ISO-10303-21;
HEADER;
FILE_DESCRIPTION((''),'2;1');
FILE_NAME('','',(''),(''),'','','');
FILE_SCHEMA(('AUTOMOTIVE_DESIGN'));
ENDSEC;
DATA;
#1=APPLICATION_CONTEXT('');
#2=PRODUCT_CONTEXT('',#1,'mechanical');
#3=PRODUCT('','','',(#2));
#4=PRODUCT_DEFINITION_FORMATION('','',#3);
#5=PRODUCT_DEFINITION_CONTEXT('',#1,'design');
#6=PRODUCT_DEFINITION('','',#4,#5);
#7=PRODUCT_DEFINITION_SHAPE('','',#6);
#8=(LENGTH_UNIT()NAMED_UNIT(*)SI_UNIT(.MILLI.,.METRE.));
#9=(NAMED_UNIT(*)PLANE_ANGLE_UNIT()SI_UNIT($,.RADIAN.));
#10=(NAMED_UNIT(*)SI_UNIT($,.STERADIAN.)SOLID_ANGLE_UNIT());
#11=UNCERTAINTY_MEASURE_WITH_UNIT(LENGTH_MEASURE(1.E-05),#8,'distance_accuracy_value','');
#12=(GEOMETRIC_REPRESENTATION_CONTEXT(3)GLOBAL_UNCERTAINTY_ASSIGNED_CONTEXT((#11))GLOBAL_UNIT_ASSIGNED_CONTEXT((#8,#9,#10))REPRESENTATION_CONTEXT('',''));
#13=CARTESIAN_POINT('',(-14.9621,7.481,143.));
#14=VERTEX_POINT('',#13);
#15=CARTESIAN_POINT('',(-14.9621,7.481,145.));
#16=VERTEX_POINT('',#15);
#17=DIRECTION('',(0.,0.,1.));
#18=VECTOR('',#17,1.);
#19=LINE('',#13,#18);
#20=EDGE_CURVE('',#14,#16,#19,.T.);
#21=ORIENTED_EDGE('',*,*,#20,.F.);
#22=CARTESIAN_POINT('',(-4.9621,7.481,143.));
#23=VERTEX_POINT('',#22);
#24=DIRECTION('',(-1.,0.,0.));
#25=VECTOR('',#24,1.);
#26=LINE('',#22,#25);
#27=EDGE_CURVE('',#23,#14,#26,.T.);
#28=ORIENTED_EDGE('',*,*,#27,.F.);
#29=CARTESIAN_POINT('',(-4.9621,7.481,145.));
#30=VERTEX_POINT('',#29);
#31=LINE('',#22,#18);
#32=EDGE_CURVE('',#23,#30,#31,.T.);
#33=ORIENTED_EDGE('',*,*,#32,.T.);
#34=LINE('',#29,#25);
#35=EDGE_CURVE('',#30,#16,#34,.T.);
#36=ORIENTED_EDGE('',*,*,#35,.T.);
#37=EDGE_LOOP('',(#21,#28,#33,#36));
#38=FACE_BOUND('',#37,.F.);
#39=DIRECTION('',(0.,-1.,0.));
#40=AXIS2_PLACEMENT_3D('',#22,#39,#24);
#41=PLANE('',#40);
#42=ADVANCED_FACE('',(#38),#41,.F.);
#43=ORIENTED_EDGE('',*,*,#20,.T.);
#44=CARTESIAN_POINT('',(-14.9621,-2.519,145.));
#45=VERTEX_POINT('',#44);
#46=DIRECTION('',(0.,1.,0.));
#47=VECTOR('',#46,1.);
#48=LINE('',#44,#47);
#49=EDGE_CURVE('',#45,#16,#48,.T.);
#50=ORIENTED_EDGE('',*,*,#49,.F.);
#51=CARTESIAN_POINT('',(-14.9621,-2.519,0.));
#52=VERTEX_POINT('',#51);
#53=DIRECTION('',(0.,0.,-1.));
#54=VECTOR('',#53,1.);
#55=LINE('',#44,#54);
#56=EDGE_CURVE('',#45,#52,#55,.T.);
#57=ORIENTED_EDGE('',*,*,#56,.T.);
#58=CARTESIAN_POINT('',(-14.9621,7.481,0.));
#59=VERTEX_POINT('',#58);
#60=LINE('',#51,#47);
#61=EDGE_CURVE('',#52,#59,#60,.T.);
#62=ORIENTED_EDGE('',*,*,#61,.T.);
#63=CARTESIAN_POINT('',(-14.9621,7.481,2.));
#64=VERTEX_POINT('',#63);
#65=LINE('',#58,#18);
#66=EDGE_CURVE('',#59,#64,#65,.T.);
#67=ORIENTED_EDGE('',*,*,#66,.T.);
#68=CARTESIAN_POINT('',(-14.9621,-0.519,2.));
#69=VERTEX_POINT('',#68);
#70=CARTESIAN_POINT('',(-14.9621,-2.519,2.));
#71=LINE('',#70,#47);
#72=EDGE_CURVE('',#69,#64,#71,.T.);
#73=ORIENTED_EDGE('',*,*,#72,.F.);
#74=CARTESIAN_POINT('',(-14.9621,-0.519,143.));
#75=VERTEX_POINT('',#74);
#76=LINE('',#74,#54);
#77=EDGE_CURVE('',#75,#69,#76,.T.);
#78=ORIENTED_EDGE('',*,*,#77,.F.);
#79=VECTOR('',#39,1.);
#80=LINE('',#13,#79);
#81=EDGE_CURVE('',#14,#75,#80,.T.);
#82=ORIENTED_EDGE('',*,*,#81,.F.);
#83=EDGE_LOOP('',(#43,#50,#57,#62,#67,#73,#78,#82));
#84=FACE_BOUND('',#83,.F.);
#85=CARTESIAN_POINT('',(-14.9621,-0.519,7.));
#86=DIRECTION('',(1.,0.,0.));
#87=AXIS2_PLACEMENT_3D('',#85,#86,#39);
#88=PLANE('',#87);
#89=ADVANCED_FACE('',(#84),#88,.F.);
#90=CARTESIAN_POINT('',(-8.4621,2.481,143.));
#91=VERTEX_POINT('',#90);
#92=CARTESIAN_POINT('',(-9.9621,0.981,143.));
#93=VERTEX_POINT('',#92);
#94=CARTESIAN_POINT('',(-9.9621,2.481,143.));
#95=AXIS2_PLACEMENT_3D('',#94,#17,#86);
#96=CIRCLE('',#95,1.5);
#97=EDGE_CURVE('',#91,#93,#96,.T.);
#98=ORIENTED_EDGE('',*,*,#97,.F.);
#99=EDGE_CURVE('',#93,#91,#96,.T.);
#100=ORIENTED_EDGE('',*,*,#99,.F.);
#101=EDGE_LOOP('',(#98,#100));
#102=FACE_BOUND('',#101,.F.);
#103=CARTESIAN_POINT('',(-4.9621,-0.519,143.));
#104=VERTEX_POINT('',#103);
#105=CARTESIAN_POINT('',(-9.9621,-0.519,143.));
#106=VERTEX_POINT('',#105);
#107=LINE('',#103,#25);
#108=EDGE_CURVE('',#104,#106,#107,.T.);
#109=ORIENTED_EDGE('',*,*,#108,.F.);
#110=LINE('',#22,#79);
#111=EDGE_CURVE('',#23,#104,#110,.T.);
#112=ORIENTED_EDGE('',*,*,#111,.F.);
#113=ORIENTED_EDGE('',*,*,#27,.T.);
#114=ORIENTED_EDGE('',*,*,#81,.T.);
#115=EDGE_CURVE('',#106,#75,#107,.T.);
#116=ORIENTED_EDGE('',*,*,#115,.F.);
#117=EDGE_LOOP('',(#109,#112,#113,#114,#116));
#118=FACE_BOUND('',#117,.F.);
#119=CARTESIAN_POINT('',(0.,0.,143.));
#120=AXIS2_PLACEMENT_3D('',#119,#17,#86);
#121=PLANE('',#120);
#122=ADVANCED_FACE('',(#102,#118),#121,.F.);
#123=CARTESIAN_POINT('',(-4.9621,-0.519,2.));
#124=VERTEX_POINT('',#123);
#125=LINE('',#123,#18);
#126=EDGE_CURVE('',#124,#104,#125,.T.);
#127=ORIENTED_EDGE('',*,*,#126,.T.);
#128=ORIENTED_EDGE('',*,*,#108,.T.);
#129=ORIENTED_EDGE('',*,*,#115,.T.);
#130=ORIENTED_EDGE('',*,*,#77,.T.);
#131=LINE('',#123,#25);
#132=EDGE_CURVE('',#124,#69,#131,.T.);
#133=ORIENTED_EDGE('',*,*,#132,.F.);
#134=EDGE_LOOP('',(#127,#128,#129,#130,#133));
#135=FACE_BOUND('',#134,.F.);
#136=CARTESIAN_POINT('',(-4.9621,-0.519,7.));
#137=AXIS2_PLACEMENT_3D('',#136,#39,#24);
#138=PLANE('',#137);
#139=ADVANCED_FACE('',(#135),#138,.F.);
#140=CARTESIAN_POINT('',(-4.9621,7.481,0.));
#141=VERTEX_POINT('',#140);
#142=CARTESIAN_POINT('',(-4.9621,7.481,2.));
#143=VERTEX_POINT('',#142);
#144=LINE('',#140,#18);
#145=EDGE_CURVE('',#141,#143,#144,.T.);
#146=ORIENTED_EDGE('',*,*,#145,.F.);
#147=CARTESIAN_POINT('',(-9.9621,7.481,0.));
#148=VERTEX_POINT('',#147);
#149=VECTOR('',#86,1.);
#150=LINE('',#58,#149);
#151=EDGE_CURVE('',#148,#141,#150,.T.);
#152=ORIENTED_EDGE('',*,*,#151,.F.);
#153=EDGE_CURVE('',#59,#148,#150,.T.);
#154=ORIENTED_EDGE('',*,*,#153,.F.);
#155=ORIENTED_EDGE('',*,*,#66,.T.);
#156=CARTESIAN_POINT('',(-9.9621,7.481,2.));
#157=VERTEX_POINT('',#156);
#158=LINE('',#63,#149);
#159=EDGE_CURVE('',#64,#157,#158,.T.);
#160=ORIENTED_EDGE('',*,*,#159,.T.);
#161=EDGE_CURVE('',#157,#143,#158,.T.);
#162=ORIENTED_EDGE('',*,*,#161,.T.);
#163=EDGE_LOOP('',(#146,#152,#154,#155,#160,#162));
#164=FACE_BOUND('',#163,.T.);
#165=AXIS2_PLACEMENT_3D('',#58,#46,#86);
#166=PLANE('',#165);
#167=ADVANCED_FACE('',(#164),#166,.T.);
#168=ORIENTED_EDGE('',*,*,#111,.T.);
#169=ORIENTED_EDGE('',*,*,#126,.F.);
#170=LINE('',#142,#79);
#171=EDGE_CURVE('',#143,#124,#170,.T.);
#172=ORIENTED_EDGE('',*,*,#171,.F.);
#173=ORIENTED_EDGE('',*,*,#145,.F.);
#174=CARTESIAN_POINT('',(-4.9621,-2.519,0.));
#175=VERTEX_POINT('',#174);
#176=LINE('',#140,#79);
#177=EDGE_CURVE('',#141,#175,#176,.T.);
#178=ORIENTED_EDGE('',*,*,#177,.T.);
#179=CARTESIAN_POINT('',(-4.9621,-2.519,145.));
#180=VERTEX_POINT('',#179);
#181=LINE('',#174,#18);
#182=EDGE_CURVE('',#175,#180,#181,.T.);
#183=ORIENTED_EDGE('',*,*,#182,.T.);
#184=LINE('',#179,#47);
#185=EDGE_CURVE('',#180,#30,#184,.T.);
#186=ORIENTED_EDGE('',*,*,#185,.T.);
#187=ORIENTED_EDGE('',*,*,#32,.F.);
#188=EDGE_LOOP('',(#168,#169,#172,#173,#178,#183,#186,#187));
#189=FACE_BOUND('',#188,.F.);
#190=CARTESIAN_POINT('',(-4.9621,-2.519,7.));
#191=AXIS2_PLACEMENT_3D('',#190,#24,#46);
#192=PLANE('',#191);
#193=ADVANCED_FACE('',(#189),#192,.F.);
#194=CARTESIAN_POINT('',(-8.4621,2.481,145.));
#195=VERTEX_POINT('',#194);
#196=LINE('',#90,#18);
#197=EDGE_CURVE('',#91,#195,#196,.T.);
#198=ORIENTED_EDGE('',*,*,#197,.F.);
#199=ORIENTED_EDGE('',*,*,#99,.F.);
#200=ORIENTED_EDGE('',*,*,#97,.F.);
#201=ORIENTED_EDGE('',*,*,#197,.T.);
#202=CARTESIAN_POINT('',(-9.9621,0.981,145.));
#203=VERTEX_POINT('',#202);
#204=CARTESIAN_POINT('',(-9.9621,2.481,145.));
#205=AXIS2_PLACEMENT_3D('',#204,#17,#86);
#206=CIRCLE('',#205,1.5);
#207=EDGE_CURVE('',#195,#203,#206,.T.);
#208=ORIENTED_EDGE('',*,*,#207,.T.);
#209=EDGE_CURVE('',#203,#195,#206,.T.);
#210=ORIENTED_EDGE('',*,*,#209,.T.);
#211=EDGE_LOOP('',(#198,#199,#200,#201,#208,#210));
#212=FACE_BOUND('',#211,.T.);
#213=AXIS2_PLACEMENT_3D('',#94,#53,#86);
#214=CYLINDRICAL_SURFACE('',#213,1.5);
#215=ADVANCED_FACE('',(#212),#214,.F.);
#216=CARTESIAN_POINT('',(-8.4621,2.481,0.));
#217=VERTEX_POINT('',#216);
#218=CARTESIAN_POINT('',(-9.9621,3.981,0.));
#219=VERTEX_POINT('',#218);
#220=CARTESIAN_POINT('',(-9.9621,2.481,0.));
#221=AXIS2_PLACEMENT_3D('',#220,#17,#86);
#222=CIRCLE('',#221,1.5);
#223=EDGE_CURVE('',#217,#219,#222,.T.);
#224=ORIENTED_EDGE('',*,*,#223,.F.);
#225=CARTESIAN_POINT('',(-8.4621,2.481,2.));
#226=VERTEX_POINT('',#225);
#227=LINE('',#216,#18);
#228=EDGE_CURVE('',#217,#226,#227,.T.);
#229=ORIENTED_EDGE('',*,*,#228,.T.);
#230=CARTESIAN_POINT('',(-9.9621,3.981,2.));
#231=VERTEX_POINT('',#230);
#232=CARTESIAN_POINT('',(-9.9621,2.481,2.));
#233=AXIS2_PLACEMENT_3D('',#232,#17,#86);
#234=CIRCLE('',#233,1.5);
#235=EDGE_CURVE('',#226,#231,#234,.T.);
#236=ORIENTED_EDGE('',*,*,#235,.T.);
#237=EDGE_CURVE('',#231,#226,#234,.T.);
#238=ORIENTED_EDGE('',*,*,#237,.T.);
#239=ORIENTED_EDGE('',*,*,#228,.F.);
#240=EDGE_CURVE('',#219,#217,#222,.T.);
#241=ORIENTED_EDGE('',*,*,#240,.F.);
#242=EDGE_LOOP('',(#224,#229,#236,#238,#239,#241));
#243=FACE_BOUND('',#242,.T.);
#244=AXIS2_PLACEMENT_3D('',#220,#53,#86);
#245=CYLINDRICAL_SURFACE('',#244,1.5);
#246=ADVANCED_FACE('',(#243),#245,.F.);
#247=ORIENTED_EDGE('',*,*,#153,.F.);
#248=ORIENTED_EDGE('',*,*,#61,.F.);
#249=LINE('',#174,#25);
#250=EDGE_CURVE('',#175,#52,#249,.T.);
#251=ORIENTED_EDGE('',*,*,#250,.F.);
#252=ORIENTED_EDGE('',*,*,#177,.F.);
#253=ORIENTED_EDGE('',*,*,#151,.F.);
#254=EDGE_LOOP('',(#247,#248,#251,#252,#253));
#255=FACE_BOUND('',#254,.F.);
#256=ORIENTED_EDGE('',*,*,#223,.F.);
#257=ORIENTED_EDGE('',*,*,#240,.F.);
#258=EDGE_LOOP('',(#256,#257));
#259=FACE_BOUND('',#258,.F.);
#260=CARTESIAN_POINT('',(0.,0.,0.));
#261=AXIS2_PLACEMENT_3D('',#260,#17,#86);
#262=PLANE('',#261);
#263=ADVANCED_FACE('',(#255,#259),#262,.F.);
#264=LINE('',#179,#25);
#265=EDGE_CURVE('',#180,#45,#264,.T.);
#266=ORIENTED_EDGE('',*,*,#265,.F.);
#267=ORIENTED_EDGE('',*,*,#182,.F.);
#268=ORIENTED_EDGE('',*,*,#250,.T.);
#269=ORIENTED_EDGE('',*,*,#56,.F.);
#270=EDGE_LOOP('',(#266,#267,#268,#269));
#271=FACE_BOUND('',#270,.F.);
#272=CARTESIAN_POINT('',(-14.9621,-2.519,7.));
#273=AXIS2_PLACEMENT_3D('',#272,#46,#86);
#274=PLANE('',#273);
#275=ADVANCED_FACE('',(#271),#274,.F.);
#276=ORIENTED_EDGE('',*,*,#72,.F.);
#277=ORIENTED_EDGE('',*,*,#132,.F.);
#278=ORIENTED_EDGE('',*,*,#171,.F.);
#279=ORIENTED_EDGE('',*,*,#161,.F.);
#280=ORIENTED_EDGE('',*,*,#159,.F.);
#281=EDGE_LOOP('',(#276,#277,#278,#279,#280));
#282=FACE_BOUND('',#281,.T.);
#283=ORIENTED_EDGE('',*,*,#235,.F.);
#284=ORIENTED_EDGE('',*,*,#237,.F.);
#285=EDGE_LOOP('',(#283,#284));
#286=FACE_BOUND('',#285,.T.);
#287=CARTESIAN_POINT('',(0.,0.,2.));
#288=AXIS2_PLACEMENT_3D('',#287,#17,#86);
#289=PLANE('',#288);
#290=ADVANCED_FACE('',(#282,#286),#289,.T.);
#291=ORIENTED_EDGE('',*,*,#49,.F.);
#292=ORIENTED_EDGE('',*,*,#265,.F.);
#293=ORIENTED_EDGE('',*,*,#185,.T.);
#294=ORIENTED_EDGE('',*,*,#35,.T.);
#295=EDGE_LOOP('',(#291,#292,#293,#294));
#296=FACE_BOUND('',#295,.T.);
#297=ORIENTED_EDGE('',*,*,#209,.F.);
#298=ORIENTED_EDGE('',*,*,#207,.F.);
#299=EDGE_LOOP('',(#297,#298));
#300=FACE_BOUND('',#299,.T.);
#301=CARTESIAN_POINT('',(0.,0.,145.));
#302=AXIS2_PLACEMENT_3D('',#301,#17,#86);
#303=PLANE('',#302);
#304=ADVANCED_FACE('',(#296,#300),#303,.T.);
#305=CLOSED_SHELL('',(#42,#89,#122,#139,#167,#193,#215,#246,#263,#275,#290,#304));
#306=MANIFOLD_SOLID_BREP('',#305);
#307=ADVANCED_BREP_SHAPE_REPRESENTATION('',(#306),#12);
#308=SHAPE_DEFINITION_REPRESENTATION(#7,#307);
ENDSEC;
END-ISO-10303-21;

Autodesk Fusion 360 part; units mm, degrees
sketch "Sketch1" plane through (0, 0, 0) normal (0, 0, 1) x (1, 0, 0)
  line L0 (-14.9621, 7.481) -> (-4.9621, 7.481)
  line L1 (-4.9621, 7.481) -> (-4.9621, -2.519)
  line L2 (-4.9621, -2.519) -> (-14.9621, -2.519)
  line L3 (-14.9621, -2.519) -> (-14.9621, 7.481)
  line L4 (-14.9621, 7.481) -> (-9.9621, 7.481)
  line L5 (-14.9621, 7.481) -> (-9.9621, 7.481)
  line L6 (-9.9621, 7.481) -> (-9.9621, 2.481)
  line L7 (-4.9621, 7.481) -> (-9.9621, 7.481)
  circle A0 centre (-9.9621, 2.481) radius 1.5
  dimension "d1" = 10
  dimension "d2" = 10
  dimension "d3" = 5
  dimension "d4" = 3
extrude "Extrude1" add sketch "Sketch1" along normal blind 2
sketch "Sketch2" plane through (0, 0, 2) normal (0, 0, 1) x (1, 0, 0)
  circle A0 centre (-9.9621, 2.481) radius 1.5
  line L0 (-4.9621, -2.519) -> (-4.9621, 7.481)
  line L1 (-4.9621, 7.481) -> (-14.9621, 7.481)
  line L2 (-14.9621, 7.481) -> (-14.9621, -2.519)
  line L3 (-14.9621, -2.519) -> (-4.9621, -2.519)
  line L4 (-14.9621, -2.519) -> (-4.9621, -2.519)
  line L5 (-4.9621, -2.519) -> (-4.9621, -0.519)
  line L6 (-4.9621, -0.519) -> (-14.9621, -0.519)
  line L7 (-14.9621, -0.519) -> (-14.9621, -2.519)
  dimension "d7" = 10
  dimension "d8" = 2
extrude "Extrude2" add sketch "Sketch2" along normal blind 5 contours L0 L2 L3 L4 L5 L6 L7
extrude "Extrude3" add 1 faces at (-11.6287, -1.8523, 7) along direction (0, 0, 1) blind 136
sketch "Sketch3" plane through (0, 0, 143) normal (0, 0, 1) x (1, 0, 0)
  line L0 (-14.9621, -0.519) -> (-14.9621, -2.519)
  line L1 (-14.9621, -2.519) -> (-4.9621, -2.519)
  line L2 (-4.9621, -2.519) -> (-4.9621, -0.519)
  line L3 (-4.9621, -0.519) -> (-14.9621, -0.519)
  line L4 (-14.9621, -2.519) -> (-4.9621, -2.519)
  line L5 (-4.9621, -2.519) -> (-4.9621, 7.481)
  line L6 (-4.9621, 7.481) -> (-14.9621, 7.481)
  line L7 (-14.9621, 7.481) -> (-14.9621, -2.519)
  line L8 (-14.9621, -2.519) -> (-9.9621, -2.519)
  line L9 (-9.9621, -2.519) -> (-9.9621, 2.481)
  circle A0 centre (-9.9621, 2.481) radius 1.5
  dimension "d13" = 10
  dimension "d14" = 10
  dimension "d15" = 5
  dimension "d16" = 3
extrude "Extrude4" add sketch "Sketch3" along normal blind 2
